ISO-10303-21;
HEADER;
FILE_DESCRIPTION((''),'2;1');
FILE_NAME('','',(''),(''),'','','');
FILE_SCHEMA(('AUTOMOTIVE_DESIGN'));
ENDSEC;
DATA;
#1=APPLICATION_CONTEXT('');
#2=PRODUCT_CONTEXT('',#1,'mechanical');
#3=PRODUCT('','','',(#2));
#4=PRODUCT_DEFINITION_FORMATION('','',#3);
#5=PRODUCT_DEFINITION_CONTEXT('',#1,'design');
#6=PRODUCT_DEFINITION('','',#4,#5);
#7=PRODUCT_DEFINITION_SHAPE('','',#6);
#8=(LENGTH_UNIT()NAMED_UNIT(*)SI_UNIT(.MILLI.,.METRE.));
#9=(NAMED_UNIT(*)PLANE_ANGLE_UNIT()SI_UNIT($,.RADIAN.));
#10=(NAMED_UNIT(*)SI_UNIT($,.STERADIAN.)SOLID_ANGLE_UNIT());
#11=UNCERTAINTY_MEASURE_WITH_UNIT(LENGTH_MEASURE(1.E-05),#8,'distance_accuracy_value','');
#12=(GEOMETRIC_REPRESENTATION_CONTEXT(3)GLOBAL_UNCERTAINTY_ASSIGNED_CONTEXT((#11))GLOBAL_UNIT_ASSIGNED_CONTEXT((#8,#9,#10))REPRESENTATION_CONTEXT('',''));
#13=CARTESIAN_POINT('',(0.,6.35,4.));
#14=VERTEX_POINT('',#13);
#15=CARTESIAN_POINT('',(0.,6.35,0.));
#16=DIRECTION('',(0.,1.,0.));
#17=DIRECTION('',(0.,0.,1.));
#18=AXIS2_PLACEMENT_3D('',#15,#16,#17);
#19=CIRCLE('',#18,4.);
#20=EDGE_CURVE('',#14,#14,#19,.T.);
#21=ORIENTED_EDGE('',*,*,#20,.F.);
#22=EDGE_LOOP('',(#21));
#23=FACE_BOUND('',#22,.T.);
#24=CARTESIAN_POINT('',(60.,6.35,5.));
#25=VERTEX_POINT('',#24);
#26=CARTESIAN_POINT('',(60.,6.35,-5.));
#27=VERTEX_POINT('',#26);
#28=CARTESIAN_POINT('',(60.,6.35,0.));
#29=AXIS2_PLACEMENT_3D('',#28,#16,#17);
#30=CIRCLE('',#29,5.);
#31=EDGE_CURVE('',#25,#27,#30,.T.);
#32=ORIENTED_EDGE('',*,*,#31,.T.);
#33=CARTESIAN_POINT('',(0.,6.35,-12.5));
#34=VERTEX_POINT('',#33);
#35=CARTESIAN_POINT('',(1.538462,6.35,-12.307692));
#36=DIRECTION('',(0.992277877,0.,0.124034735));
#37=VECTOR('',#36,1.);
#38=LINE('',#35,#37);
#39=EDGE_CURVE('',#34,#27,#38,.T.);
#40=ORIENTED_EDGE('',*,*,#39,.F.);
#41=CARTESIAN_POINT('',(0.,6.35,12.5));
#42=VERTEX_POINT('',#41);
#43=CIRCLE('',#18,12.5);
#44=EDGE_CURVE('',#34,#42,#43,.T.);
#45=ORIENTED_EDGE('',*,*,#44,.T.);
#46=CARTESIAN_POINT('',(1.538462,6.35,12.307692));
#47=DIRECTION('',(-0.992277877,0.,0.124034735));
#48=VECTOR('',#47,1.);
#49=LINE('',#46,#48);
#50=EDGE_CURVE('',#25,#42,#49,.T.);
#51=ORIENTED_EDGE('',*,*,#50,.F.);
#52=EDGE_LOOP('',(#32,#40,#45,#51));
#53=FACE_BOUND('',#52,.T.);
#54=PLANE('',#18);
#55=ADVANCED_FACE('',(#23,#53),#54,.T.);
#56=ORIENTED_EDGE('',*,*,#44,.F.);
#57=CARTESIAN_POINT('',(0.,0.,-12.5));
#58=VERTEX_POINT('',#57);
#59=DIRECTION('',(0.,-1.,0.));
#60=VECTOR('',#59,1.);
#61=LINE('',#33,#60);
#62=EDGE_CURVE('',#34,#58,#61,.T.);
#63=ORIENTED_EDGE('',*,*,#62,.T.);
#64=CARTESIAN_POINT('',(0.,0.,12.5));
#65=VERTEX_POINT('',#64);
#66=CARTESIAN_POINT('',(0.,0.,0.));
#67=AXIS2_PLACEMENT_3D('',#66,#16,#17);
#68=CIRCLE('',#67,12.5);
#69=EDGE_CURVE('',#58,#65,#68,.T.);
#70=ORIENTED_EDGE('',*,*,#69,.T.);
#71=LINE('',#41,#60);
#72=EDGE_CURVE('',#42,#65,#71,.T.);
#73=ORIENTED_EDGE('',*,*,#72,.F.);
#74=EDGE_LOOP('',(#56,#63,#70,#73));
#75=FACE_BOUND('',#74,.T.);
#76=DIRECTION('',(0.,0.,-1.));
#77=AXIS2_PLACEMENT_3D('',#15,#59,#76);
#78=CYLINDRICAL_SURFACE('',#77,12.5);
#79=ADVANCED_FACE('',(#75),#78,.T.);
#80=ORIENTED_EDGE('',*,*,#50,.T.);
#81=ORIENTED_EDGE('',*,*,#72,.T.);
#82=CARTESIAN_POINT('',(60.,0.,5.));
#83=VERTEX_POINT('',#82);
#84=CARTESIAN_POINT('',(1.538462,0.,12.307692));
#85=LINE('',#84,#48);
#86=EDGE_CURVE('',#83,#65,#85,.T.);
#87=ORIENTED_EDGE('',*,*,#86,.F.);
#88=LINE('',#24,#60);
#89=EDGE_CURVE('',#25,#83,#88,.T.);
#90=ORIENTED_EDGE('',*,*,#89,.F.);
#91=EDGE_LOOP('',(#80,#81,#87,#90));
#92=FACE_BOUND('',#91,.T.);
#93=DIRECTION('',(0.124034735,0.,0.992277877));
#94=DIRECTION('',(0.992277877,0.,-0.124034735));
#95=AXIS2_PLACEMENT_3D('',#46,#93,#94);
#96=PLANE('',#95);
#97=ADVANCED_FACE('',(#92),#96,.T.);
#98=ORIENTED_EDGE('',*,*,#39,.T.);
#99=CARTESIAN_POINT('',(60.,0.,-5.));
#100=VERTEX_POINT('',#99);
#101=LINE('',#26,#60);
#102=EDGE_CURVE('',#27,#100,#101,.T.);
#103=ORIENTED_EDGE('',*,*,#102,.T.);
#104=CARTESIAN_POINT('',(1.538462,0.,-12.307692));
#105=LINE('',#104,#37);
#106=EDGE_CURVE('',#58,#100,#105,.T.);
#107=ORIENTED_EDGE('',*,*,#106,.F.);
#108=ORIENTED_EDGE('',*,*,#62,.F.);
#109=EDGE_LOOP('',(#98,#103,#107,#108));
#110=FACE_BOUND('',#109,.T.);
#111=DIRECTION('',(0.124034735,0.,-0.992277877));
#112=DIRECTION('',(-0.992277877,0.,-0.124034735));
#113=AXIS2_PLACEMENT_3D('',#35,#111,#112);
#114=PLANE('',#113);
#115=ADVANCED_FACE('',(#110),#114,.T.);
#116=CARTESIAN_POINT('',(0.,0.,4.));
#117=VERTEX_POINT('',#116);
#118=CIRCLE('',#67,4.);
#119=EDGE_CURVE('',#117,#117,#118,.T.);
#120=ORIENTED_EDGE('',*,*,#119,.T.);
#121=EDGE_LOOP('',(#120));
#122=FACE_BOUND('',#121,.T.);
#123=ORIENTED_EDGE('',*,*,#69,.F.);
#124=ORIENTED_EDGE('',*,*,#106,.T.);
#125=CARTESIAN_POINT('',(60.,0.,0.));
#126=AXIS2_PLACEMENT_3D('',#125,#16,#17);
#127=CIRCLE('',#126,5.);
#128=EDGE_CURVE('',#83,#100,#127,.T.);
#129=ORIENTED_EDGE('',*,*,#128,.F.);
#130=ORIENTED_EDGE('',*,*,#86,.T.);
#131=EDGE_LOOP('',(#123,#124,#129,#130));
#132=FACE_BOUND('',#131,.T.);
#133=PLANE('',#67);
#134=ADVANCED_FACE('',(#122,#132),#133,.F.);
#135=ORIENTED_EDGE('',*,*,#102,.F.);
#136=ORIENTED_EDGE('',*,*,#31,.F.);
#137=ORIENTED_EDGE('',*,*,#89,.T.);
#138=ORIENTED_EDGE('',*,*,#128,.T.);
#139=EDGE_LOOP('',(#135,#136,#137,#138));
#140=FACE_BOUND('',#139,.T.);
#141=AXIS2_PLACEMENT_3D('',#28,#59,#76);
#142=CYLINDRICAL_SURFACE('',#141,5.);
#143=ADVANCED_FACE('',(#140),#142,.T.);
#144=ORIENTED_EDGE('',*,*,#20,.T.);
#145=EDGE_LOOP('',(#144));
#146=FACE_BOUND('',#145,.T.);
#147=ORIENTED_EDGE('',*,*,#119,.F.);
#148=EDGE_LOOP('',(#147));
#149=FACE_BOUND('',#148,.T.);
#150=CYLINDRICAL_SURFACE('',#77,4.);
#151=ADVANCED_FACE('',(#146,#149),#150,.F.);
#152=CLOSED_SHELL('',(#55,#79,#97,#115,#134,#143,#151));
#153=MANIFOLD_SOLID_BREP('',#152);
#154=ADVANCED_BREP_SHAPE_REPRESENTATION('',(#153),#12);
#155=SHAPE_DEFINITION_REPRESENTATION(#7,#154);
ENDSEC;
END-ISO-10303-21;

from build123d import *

# Parameters (mm, degrees)
SKETCH1_R           = 4
BOSS_EXTRUDE1_DEPTH = 6.35


with BuildPart() as part:
    # Sketch1 → Boss-Extrude1 (new body)
    with BuildSketch(Plane(origin=(0, 0, 0), x_dir=(1, 0, 0), z_dir=(0, 1, 0))):
        with BuildLine():
            Line((3.076923077, 12.115384615), (0, 12.5))
            ThreePointArc((0, 12.5), (-12.5, 0), (0, -12.5))
            Line((0, -12.5), (3.076923077, -12.115384615))
            Line((3.076923077, -12.115384615), (60, -5))
            ThreePointArc((60, -5), (65, 0), (60, 5))
            Line((60, 5), (3.076923077, 12.115384615))
        make_face()
        with Locations(Location((0, 0, 0), (0, 0, 270))):
            Circle(SKETCH1_R, mode=Mode.SUBTRACT)
    extrude(amount=BOSS_EXTRUDE1_DEPTH)


solid = part.part
